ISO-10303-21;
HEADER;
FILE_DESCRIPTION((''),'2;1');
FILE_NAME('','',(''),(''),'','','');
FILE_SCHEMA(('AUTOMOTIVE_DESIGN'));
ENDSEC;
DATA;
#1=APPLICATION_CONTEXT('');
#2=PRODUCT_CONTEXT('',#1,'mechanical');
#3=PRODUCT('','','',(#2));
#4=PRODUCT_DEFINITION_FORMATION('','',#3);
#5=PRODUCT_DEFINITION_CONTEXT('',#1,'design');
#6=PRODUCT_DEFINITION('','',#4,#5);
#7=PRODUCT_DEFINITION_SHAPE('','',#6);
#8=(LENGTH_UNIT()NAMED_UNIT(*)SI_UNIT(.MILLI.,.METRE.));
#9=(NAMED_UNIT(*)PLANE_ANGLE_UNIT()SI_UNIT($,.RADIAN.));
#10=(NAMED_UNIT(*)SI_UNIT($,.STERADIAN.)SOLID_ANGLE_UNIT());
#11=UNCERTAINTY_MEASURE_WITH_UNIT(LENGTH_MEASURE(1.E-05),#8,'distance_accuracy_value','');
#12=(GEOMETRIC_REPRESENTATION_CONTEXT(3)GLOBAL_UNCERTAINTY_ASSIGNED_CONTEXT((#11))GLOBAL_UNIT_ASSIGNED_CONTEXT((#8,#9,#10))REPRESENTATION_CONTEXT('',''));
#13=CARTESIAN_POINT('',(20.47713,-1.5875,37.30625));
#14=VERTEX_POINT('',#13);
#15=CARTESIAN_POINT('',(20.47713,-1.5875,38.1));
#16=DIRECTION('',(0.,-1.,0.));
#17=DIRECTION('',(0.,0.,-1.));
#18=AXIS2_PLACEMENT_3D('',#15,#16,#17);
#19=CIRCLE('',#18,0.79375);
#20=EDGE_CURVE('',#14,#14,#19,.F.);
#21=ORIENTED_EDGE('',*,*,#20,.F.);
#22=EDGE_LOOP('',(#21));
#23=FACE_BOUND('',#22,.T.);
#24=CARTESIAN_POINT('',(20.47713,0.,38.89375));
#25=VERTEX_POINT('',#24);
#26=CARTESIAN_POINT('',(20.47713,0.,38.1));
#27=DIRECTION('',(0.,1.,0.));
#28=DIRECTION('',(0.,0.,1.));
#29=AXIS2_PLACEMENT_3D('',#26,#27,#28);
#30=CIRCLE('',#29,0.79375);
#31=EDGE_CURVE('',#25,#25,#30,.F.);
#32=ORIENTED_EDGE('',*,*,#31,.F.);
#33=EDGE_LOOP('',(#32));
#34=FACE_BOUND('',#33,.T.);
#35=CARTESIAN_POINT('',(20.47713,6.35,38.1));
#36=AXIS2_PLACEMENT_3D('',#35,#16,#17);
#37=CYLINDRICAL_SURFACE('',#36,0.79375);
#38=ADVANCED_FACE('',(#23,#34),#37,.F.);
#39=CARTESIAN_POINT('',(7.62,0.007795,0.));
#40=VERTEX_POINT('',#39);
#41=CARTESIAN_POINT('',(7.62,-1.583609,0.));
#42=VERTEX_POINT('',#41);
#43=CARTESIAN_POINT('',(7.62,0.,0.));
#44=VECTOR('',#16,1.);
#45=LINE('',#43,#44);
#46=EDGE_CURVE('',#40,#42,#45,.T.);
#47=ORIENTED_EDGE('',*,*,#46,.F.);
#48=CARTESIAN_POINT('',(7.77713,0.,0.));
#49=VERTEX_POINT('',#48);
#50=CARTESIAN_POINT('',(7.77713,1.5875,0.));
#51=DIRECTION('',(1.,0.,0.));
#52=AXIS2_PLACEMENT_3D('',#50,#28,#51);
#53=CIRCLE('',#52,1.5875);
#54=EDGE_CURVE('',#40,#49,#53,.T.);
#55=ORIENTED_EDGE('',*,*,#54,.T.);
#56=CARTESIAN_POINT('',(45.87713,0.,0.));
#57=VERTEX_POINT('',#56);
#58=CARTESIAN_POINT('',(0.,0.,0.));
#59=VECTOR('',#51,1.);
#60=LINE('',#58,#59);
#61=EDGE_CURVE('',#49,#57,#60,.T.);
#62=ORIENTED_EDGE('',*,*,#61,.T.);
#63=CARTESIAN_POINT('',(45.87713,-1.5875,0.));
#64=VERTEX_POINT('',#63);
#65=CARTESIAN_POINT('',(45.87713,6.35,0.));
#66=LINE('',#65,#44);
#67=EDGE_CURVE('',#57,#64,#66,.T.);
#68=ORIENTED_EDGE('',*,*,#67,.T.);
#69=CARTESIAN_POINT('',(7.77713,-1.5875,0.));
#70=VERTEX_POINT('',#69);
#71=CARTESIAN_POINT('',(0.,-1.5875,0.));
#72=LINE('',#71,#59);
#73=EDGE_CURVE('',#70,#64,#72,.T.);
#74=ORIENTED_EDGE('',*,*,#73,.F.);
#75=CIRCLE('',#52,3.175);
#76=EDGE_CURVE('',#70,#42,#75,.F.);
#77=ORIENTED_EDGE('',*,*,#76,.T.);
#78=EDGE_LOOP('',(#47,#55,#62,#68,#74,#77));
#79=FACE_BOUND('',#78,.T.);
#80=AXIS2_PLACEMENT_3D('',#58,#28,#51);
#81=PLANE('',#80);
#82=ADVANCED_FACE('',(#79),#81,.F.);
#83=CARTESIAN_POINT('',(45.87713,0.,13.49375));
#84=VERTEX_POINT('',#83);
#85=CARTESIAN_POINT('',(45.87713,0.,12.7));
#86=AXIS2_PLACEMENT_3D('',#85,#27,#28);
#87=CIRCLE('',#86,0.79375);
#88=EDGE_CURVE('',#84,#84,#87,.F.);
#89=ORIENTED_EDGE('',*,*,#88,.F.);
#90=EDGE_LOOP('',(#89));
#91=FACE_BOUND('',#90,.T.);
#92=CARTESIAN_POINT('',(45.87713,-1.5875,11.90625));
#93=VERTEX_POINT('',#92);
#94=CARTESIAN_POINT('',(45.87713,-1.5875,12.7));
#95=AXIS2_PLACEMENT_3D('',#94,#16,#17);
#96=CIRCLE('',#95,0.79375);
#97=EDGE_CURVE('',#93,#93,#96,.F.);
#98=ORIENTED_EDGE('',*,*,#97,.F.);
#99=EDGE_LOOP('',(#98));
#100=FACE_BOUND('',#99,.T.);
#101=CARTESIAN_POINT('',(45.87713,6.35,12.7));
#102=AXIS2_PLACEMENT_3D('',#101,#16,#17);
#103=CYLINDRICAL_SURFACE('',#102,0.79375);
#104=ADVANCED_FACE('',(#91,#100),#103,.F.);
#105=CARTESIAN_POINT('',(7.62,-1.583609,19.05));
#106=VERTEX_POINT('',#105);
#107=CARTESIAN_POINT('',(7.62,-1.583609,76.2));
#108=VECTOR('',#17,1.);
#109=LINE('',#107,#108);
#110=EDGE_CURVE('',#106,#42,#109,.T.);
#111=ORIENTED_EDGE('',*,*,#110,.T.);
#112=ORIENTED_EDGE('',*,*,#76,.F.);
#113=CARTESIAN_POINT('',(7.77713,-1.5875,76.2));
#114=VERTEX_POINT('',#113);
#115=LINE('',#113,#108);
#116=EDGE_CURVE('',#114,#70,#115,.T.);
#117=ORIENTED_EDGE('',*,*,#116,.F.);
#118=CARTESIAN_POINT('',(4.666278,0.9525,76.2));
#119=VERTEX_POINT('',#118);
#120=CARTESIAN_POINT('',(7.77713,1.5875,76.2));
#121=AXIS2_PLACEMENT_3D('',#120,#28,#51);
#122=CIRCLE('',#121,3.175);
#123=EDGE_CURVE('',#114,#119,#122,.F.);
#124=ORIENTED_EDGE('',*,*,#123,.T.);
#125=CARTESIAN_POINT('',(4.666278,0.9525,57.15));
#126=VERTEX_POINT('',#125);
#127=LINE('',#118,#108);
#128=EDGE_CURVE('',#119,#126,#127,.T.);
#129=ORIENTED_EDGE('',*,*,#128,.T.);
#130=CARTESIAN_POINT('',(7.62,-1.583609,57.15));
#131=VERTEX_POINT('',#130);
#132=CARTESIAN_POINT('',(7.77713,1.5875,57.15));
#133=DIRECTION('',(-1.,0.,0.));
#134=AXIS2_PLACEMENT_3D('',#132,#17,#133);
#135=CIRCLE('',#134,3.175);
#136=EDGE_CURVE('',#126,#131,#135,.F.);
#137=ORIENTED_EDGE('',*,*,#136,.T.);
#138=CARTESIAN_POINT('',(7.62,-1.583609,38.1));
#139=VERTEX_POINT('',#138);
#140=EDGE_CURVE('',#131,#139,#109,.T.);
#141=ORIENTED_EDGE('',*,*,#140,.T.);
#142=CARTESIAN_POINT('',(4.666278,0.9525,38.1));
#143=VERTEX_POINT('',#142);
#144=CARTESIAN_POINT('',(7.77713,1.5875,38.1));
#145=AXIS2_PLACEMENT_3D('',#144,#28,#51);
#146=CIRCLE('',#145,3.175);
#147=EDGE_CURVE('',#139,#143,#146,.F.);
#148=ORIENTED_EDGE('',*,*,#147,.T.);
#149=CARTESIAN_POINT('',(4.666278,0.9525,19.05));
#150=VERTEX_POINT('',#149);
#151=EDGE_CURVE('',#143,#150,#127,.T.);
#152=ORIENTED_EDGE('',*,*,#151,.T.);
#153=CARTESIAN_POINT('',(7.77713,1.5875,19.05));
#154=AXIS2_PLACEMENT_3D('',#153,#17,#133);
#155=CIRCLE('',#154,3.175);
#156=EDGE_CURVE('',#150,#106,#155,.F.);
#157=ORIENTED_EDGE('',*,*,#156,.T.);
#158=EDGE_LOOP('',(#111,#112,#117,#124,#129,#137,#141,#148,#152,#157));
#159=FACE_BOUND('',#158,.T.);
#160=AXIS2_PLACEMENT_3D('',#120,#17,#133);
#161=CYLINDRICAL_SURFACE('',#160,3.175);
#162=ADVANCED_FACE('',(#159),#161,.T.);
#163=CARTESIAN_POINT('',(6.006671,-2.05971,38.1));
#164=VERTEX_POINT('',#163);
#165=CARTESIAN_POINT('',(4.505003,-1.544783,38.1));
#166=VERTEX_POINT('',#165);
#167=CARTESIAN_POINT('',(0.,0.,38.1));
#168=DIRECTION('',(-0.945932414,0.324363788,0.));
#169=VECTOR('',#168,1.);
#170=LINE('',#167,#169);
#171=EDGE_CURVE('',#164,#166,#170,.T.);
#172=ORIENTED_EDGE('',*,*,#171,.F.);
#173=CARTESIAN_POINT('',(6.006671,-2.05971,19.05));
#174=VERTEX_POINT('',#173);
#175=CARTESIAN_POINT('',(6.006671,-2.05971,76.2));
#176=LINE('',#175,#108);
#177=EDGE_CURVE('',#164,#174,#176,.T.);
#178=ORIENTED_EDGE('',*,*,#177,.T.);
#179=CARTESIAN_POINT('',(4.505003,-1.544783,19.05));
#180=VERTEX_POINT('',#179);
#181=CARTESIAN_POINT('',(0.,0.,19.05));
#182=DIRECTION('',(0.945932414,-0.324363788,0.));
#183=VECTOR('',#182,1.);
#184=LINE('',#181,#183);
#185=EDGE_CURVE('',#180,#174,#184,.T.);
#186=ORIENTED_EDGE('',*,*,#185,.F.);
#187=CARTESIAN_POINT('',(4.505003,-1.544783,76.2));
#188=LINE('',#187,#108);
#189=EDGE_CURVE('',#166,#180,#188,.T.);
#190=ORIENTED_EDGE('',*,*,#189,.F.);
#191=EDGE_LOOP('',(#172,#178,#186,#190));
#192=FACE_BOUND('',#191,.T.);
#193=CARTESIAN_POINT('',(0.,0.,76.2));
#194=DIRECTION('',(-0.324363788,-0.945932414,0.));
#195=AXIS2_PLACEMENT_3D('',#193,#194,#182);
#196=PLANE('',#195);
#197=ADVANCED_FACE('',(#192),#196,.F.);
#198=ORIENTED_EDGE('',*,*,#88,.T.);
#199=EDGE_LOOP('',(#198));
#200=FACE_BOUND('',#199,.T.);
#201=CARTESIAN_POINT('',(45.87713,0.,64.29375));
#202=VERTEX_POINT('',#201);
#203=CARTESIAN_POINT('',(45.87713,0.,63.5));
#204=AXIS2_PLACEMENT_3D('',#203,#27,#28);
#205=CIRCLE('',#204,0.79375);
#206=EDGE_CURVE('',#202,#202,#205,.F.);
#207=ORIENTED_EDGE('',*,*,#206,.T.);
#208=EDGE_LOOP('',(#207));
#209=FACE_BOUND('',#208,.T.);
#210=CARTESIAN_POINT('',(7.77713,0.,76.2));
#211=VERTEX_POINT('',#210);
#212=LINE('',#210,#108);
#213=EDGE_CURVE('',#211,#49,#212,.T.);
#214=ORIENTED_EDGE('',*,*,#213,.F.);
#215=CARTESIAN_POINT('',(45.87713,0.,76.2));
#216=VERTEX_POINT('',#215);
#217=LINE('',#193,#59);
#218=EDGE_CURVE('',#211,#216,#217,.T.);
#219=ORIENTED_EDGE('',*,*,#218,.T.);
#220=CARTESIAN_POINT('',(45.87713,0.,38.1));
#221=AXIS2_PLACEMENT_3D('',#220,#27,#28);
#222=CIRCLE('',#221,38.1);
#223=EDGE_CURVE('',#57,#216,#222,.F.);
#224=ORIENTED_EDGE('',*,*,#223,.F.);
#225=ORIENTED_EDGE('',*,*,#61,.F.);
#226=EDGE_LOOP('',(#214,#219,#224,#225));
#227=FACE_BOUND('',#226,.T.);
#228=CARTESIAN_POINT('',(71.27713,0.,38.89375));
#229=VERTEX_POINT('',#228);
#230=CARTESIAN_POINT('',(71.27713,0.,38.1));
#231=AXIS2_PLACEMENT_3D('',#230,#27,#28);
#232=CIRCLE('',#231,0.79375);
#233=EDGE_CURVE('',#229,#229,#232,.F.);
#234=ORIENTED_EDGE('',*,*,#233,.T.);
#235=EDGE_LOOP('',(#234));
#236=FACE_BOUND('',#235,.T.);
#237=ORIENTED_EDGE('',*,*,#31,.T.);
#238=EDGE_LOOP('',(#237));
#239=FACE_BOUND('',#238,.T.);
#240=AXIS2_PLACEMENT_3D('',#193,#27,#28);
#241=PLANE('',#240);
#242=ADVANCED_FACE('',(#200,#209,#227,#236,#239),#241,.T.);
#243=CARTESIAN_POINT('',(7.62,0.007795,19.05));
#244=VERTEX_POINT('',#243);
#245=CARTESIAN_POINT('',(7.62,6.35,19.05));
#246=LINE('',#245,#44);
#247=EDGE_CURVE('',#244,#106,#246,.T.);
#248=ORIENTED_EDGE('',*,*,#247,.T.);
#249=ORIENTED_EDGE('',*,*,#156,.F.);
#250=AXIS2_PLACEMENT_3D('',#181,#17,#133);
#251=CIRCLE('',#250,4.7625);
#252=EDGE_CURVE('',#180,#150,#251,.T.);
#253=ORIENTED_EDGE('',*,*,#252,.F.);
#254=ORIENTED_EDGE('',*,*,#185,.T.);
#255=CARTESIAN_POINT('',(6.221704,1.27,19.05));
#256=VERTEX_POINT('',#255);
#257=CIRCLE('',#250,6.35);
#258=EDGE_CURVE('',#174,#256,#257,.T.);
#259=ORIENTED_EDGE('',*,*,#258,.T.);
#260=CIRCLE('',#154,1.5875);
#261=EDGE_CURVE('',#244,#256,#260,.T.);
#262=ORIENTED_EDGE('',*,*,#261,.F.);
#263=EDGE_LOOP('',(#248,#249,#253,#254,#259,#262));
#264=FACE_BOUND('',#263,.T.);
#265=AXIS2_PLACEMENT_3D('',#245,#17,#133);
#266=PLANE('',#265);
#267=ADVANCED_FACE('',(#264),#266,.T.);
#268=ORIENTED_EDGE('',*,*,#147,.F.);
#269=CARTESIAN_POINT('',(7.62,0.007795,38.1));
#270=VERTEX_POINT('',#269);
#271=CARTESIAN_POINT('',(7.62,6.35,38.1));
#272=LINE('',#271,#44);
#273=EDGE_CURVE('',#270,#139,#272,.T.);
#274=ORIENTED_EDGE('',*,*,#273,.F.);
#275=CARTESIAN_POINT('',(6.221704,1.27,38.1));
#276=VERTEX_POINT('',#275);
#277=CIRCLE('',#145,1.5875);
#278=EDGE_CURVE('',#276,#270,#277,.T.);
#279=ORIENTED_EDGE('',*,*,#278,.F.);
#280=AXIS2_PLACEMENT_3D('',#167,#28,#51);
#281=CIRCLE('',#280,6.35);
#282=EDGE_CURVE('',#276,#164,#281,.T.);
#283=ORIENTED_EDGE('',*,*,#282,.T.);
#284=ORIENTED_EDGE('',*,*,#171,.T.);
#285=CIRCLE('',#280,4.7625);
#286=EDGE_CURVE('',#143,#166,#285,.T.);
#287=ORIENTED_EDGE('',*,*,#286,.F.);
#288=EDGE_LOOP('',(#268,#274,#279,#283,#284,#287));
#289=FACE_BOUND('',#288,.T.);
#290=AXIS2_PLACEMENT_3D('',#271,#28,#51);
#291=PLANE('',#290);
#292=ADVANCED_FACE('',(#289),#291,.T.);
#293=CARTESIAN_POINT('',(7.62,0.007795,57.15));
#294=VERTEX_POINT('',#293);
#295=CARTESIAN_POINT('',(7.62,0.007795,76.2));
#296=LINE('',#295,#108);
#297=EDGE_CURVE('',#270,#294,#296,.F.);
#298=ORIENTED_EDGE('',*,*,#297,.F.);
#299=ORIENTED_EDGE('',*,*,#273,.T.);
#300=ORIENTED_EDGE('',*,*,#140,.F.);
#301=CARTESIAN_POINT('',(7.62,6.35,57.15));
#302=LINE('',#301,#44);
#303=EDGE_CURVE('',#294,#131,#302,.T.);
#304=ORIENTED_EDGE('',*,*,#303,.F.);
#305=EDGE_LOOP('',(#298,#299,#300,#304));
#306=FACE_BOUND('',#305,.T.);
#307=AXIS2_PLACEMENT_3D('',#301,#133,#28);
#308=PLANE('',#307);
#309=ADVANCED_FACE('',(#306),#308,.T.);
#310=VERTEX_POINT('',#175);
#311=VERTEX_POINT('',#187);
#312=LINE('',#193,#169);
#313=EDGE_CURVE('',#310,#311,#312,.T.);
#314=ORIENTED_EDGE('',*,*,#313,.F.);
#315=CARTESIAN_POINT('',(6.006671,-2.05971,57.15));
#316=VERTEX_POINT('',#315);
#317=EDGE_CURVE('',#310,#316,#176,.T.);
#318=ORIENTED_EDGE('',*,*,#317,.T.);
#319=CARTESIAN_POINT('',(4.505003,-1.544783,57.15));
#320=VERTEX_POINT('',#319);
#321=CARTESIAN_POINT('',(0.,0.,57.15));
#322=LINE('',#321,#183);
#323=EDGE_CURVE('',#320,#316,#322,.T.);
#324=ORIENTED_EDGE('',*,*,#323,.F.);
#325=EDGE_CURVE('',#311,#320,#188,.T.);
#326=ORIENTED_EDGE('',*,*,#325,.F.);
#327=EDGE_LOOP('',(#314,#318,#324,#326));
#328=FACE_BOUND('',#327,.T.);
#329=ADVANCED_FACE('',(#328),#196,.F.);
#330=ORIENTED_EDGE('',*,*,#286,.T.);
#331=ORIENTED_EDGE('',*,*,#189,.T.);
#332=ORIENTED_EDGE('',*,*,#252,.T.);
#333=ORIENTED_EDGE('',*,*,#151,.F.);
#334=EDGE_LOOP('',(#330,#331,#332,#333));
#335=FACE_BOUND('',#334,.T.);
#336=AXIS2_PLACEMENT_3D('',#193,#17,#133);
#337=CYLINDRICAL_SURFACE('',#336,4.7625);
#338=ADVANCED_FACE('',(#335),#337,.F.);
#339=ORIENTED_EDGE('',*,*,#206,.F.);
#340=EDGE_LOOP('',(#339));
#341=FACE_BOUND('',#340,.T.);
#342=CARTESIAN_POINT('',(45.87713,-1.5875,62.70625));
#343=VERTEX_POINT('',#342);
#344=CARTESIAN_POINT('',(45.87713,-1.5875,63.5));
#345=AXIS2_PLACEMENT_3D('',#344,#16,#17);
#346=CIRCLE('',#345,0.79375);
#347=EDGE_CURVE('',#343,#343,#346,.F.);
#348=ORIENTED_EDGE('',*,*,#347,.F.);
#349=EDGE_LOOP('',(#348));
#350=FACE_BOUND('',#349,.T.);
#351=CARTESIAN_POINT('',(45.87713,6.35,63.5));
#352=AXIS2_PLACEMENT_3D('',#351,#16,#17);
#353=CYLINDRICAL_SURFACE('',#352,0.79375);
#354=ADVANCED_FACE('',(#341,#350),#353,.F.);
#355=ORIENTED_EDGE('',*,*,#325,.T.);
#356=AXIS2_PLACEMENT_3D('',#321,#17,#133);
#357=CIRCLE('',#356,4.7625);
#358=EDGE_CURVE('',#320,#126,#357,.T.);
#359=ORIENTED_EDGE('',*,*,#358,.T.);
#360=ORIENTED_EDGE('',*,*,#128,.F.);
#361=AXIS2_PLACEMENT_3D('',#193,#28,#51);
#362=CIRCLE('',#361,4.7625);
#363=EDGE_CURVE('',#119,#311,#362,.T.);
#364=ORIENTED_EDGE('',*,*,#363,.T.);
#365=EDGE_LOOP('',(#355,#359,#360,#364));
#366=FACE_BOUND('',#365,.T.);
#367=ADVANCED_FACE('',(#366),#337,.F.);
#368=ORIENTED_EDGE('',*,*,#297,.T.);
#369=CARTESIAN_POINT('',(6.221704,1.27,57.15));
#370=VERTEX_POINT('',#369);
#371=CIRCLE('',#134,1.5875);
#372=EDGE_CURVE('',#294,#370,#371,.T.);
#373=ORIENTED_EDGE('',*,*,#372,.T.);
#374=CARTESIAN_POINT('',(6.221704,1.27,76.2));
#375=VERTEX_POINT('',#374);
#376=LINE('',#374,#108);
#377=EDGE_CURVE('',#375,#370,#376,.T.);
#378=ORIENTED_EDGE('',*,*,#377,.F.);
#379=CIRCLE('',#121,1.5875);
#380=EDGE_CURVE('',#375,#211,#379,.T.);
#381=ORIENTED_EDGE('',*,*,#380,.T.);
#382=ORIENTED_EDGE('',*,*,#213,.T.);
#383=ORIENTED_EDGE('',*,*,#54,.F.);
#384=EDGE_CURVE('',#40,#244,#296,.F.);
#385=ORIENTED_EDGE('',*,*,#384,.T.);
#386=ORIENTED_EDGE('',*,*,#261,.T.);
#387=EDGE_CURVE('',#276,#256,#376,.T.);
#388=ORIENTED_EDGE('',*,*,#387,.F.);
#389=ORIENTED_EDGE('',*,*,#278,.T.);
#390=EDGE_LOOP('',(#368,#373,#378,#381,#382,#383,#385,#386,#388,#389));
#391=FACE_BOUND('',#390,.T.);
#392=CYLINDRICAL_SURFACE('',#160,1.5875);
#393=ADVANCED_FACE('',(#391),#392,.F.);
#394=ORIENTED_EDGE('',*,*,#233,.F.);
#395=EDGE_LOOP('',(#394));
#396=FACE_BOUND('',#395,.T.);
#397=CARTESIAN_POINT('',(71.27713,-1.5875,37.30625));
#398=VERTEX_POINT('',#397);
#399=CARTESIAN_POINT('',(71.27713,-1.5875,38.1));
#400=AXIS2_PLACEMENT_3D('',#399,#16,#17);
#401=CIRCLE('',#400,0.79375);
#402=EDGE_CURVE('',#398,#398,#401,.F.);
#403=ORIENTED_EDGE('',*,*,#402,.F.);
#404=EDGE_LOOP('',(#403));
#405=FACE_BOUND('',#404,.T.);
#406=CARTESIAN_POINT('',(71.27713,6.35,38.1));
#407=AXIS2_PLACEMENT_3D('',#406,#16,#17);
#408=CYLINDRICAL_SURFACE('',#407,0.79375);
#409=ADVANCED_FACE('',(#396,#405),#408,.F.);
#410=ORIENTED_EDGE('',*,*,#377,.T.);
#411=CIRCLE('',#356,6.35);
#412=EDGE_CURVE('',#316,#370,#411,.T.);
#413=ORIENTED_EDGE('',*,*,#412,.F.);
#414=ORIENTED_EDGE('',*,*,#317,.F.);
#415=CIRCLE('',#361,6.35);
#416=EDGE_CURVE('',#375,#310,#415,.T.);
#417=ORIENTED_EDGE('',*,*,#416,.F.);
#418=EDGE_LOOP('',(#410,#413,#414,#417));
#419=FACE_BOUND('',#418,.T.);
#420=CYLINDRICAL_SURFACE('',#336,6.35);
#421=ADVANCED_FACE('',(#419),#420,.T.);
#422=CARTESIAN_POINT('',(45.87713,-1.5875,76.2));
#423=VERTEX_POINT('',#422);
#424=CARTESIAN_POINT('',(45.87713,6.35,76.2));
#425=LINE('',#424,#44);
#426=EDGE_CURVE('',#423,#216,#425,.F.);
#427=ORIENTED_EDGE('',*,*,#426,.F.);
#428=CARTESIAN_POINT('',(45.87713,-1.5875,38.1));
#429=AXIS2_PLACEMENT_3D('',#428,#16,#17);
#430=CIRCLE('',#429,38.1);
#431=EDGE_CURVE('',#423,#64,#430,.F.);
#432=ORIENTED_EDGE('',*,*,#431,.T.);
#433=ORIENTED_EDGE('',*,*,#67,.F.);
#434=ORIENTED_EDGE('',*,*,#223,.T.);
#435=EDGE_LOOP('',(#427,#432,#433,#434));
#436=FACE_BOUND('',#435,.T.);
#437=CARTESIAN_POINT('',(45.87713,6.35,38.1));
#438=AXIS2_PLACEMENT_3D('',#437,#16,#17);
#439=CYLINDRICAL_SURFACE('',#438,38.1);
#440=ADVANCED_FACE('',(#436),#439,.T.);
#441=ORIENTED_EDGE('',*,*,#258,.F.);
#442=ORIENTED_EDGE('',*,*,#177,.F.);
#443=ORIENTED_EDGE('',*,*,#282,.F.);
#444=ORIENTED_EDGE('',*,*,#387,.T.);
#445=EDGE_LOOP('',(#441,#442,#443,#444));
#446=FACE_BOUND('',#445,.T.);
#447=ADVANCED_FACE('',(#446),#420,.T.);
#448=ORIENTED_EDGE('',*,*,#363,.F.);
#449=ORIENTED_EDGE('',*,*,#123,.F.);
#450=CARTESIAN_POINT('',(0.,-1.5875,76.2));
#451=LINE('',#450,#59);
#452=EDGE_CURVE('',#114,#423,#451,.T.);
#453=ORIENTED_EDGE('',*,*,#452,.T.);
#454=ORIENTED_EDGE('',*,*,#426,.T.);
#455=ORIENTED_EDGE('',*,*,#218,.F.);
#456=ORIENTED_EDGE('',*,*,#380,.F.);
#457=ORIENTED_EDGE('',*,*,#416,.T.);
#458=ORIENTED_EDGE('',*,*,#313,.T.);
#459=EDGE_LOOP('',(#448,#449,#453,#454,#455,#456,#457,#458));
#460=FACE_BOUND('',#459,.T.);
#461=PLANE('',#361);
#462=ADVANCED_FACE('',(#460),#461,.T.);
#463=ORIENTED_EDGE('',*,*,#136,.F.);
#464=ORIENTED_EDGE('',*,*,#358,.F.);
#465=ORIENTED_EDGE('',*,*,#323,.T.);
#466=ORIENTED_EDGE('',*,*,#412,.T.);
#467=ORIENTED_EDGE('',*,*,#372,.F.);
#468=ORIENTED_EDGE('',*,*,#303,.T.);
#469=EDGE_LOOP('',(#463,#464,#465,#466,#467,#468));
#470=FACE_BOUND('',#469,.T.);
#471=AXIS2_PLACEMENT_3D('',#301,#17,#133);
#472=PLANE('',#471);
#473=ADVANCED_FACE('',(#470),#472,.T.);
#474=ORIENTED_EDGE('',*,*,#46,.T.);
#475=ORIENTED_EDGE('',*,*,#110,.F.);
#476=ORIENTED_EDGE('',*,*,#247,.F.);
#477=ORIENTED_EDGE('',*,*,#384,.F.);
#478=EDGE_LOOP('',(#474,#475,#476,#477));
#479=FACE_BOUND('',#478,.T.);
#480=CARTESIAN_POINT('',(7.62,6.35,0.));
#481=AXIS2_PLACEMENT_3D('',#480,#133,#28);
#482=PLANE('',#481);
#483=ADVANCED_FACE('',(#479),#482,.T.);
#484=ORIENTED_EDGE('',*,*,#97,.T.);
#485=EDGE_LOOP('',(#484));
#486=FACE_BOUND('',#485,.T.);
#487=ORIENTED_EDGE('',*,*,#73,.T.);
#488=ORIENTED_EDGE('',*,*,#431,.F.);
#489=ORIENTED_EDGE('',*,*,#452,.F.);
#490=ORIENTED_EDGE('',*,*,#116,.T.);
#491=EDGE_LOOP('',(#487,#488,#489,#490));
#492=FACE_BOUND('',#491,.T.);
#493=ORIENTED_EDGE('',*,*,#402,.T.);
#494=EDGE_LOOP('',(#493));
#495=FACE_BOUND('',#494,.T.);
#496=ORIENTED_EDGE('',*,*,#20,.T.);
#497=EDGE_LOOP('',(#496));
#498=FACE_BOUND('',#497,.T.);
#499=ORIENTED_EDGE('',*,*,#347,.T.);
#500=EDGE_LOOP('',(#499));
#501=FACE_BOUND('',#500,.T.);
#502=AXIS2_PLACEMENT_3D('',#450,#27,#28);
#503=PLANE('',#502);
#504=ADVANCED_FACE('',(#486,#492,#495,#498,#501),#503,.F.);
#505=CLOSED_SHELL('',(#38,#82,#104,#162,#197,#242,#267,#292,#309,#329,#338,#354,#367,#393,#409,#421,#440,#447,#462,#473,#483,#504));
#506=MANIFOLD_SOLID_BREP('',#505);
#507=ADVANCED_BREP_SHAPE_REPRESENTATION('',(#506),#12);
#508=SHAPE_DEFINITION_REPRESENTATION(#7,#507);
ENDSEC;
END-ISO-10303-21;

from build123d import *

# Parameters (mm, degrees)
BOSS_EXTRUDE1_DEPTH     = 76.2
CUT_EXTRUDE1_DEPTH      = 109.055004078
CUT_EXTRUDE1_DEPTH_BACK = 109.055004078
SKETCH2_W               = 19.05
SKETCH2_H               = 13.97
SKETCH3_R               = 0.79375
CUT_EXTRUDE2_DEPTH      = 114.673225775


with BuildPart() as part:
    # Sketch1 → Boss-Extrude1 (new body)
    with BuildSketch(Plane.XY):
        with BuildLine():
            Line((6.006670832, -2.059710057), (4.505003124, -1.544782543))
            ThreePointArc((4.505003124, -1.544782543), (-4.752599731, 0.306923518), (4.66627796, 0.9525))
            ThreePointArc((4.66627796, 0.9525), (5.769083619, -0.871844425), (7.777129933, -1.5875))
            Line((7.777129933, -1.5875), (83.977129933, -1.5875))
            Line((83.977129933, -1.5875), (83.977129933, 0))
            Line((83.977129933, 0), (7.777129933, 0))
            ThreePointArc((7.777129933, 0), (6.773106776, 0.357827788), (6.221703947, 1.27))
            ThreePointArc((6.221703947, 1.27), (-6.336799641, 0.409231357), (6.006670832, -2.059710057))
        make_face()
    extrude(amount=BOSS_EXTRUDE1_DEPTH)

    # Sketch2 → Cut-Extrude1 (cut, two sides: drawn at the far end of the back side and taken through both)
    with BuildSketch(Plane(origin=(69.85, -1.5875, 0), x_dir=(0, 0, -1), z_dir=(0, 1, 0)).offset(-CUT_EXTRUDE1_DEPTH_BACK)):
        with Locations((-9.525, 69.215)):
            Rectangle(SKETCH2_W, SKETCH2_H)
        with Locations((-47.625, 69.215)):
            Rectangle(SKETCH2_W, SKETCH2_H)
    extrude(amount=CUT_EXTRUDE1_DEPTH + CUT_EXTRUDE1_DEPTH_BACK, mode=Mode.SUBTRACT)

    # Sketch3 → Cut-Extrude2 (cut, through all)
    with BuildSketch(Plane(origin=(0, -1.5875, 0), x_dir=(1, 0, 0), z_dir=(0, 1, 0))):
        with BuildLine():
            Line((83.977129933, 0), (45.877129933, 0))
            ThreePointArc((45.877129933, 0), (72.817898258, -11.159231598), (83.977129933, -38.09999989))
            Line((83.977129933, -38.09999989), (83.977129933, 0))
        make_face()
        with BuildLine():
            Line((83.977129933, -76.2), (83.977129933, -38.09999989))
            ThreePointArc((83.977129933, -38.09999989), (72.817898336, -65.040768324), (45.877129933, -76.2))
            Line((45.877129933, -76.2), (83.977129933, -76.2))
        make_face()
        with Locations(Location((45.877129933, -63.5, 0), (0, 0, 90))):
            Circle(SKETCH3_R)
        with Locations(Location((20.477129933, -38.1, 0), (0, 0, 90))):
            Circle(SKETCH3_R)
        with Locations(Location((71.277129933, -38.1, 0), (0, 0, 90))):
            Circle(SKETCH3_R)
        with Locations(Location((45.877129933, -12.7, 0), (0, 0, 90))):
            Circle(SKETCH3_R)
    extrude(amount=CUT_EXTRUDE2_DEPTH, mode=Mode.SUBTRACT)


solid = part.part
